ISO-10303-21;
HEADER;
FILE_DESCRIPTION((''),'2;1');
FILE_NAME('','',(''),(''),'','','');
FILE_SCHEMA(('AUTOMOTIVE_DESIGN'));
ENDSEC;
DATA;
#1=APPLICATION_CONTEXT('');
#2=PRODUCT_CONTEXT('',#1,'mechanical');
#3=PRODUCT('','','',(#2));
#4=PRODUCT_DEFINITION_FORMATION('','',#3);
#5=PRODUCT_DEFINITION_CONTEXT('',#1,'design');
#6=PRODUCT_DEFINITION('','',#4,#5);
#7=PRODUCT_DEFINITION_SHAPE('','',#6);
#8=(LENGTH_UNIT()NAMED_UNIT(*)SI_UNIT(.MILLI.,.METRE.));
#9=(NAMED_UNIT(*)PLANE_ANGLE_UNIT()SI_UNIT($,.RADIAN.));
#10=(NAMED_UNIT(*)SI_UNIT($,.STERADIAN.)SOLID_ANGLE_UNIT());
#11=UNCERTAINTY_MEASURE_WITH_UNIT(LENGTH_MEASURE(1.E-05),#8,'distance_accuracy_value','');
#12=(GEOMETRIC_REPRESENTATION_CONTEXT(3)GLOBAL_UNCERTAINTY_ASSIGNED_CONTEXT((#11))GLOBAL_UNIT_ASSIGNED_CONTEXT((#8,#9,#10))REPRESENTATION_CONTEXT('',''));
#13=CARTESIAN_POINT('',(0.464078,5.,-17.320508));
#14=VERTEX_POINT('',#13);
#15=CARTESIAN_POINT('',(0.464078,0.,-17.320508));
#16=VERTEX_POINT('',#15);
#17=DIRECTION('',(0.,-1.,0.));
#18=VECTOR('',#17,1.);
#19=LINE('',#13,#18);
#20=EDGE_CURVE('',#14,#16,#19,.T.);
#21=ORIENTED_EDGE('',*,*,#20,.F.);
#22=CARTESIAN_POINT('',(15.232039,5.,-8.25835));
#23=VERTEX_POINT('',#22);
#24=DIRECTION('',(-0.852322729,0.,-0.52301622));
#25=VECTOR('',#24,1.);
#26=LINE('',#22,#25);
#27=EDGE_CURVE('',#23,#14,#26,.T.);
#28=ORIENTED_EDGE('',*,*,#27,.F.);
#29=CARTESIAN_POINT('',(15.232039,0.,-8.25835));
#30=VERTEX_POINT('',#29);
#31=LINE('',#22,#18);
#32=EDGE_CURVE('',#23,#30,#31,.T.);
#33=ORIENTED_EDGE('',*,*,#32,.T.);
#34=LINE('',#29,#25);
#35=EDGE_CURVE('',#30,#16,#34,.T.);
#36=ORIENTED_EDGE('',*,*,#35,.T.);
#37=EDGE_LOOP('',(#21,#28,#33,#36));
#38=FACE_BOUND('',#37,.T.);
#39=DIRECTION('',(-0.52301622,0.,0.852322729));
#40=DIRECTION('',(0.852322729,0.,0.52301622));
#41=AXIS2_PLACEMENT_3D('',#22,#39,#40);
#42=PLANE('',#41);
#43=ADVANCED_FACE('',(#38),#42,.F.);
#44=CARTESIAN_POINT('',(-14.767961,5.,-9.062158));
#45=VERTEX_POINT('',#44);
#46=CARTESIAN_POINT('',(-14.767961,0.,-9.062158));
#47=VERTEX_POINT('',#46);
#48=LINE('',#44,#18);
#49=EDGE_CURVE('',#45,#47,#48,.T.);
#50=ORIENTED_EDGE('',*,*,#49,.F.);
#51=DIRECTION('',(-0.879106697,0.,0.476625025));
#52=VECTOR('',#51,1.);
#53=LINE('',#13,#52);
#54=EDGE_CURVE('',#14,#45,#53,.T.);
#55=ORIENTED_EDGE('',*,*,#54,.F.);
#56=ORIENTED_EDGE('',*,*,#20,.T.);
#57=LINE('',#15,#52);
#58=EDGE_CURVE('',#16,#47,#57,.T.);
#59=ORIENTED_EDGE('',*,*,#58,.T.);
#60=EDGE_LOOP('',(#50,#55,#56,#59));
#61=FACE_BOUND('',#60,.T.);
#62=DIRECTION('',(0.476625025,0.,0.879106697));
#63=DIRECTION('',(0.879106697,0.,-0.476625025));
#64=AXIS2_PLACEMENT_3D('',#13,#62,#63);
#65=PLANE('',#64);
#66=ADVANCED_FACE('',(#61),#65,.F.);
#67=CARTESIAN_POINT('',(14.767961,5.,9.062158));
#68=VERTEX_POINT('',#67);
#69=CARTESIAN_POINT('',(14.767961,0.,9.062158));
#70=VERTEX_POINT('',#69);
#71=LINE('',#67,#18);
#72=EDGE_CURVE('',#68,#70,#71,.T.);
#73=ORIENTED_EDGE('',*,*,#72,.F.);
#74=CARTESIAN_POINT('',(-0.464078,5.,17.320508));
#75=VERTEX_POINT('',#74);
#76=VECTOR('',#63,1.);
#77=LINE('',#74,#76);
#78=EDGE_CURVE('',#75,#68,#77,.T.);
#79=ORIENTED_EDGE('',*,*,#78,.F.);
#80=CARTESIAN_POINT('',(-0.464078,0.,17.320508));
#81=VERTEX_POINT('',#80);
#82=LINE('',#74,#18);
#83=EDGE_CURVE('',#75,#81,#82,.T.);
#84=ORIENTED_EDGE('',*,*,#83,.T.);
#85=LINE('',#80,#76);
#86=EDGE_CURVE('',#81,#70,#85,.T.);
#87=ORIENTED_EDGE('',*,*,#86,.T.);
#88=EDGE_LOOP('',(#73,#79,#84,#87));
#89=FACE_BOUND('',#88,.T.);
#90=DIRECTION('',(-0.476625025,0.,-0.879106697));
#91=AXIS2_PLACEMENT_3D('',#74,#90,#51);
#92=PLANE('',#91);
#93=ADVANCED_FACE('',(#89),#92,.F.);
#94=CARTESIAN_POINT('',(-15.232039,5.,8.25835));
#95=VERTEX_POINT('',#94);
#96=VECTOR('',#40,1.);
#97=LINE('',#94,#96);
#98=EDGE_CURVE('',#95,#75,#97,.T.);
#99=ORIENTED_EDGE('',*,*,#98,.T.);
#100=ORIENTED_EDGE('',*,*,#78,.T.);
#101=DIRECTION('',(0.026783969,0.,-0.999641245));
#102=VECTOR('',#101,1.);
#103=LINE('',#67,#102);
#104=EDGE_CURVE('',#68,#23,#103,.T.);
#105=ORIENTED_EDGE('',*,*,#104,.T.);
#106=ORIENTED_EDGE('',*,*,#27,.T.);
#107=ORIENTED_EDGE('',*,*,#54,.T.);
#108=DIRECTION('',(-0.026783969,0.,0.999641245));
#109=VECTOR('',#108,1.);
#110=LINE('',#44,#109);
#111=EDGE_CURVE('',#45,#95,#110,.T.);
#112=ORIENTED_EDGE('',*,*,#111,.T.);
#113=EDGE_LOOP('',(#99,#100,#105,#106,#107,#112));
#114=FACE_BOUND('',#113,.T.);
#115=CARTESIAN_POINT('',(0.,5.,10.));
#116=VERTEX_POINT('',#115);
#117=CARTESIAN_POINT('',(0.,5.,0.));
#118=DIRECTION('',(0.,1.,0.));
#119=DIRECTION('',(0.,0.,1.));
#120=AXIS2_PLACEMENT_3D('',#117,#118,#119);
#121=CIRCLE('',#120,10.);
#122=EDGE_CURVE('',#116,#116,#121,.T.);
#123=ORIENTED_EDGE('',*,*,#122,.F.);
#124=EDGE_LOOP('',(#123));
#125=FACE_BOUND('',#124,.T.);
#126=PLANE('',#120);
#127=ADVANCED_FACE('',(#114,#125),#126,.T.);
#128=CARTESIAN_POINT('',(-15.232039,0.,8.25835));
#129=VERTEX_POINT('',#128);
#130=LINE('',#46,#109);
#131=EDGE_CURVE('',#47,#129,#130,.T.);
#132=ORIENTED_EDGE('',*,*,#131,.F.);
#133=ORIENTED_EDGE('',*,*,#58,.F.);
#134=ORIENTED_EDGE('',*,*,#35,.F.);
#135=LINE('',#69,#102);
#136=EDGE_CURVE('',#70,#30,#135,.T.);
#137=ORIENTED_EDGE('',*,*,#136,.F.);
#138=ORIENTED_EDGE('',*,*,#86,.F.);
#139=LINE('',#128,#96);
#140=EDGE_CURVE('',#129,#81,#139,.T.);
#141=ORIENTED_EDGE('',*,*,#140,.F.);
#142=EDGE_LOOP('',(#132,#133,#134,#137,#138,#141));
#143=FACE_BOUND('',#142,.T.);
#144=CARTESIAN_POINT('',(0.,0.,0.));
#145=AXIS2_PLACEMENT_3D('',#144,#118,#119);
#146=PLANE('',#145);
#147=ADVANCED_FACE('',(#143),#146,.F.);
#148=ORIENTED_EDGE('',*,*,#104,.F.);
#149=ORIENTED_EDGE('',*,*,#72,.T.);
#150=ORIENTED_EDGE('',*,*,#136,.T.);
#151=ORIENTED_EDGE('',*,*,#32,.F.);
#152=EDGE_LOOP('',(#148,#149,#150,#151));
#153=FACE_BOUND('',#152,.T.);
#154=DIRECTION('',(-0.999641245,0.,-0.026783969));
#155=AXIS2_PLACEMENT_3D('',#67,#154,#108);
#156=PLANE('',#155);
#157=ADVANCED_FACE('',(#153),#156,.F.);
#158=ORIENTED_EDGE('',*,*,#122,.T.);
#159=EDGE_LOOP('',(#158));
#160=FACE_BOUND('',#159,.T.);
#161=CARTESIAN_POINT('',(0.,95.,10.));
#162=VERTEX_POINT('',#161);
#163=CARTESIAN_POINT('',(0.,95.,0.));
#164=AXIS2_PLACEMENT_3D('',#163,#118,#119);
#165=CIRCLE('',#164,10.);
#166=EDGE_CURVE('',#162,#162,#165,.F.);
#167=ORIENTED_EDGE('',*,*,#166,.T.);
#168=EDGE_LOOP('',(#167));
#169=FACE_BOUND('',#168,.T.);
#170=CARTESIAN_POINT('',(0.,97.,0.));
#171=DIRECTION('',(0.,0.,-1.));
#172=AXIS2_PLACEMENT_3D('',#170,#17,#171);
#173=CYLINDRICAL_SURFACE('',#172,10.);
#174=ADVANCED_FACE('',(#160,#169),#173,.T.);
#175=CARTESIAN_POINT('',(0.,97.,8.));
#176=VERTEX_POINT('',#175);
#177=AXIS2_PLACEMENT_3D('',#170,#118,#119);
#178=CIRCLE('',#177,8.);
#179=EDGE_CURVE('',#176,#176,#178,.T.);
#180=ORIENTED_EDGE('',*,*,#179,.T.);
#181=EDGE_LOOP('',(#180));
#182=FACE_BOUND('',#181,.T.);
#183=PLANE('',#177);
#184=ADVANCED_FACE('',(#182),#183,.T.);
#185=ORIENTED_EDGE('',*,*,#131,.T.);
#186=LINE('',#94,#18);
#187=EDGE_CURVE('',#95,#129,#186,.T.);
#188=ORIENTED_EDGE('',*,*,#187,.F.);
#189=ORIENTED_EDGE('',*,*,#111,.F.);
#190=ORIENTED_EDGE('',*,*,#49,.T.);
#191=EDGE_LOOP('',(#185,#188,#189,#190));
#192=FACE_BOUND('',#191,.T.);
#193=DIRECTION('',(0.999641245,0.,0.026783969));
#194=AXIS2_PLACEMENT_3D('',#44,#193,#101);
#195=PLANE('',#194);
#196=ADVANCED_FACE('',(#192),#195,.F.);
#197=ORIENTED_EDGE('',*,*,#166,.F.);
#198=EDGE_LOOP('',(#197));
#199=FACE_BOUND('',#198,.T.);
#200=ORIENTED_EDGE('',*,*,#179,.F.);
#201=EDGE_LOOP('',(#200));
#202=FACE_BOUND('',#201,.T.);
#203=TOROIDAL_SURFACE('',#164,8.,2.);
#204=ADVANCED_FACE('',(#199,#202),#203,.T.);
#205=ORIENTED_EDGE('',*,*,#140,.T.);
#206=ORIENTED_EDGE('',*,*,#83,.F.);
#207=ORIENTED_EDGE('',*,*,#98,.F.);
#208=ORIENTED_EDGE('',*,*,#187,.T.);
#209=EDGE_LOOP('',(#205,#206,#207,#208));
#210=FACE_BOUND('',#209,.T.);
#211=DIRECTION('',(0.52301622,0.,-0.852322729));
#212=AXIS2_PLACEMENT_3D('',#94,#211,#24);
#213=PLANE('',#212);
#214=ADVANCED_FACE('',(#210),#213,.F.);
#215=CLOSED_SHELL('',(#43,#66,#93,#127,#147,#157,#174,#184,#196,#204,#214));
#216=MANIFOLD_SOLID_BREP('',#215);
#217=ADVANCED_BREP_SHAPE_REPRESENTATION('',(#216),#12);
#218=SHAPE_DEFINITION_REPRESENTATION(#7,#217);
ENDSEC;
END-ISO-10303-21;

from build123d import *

# Parameters (mm, degrees)
BOSS_EXTRU_1_DEPTH = 5
ESQUISSE2_R        = 10
BOSS_EXTRU_2_DEPTH = 92
CONG_1_R           = 2


with BuildPart() as part:
    # Esquisse1 → Boss.-Extru.1 (new body)
    with BuildSketch(Plane(origin=(0, 0, 0), x_dir=(1, 0, 0), z_dir=(0, 1, 0))):
        Polygon((-14.767960782, 9.062157753), (-15.232039218, -8.258350323), (-0.464078436, -17.320508076), (14.767960782, -9.062157753), (15.232039218, 8.258350323), (0.464078436, 17.320508076), align=None)
    extrude(amount=BOSS_EXTRU_1_DEPTH)

    # Esquisse2 → Boss.-Extru.2 (add)
    with BuildSketch(Plane(origin=(0, 5, 0), x_dir=(1, 0, 0), z_dir=(0, 1, 0))):
        Circle(ESQUISSE2_R)
    extrude(amount=BOSS_EXTRU_2_DEPTH)

    # Congé1
    cong_1_edges = [part.edges().sort_by_distance(p)[0] for p in [
        (-10, 97, 0),
    ]]
    fillet(cong_1_edges, radius=CONG_1_R)


solid = part.part
